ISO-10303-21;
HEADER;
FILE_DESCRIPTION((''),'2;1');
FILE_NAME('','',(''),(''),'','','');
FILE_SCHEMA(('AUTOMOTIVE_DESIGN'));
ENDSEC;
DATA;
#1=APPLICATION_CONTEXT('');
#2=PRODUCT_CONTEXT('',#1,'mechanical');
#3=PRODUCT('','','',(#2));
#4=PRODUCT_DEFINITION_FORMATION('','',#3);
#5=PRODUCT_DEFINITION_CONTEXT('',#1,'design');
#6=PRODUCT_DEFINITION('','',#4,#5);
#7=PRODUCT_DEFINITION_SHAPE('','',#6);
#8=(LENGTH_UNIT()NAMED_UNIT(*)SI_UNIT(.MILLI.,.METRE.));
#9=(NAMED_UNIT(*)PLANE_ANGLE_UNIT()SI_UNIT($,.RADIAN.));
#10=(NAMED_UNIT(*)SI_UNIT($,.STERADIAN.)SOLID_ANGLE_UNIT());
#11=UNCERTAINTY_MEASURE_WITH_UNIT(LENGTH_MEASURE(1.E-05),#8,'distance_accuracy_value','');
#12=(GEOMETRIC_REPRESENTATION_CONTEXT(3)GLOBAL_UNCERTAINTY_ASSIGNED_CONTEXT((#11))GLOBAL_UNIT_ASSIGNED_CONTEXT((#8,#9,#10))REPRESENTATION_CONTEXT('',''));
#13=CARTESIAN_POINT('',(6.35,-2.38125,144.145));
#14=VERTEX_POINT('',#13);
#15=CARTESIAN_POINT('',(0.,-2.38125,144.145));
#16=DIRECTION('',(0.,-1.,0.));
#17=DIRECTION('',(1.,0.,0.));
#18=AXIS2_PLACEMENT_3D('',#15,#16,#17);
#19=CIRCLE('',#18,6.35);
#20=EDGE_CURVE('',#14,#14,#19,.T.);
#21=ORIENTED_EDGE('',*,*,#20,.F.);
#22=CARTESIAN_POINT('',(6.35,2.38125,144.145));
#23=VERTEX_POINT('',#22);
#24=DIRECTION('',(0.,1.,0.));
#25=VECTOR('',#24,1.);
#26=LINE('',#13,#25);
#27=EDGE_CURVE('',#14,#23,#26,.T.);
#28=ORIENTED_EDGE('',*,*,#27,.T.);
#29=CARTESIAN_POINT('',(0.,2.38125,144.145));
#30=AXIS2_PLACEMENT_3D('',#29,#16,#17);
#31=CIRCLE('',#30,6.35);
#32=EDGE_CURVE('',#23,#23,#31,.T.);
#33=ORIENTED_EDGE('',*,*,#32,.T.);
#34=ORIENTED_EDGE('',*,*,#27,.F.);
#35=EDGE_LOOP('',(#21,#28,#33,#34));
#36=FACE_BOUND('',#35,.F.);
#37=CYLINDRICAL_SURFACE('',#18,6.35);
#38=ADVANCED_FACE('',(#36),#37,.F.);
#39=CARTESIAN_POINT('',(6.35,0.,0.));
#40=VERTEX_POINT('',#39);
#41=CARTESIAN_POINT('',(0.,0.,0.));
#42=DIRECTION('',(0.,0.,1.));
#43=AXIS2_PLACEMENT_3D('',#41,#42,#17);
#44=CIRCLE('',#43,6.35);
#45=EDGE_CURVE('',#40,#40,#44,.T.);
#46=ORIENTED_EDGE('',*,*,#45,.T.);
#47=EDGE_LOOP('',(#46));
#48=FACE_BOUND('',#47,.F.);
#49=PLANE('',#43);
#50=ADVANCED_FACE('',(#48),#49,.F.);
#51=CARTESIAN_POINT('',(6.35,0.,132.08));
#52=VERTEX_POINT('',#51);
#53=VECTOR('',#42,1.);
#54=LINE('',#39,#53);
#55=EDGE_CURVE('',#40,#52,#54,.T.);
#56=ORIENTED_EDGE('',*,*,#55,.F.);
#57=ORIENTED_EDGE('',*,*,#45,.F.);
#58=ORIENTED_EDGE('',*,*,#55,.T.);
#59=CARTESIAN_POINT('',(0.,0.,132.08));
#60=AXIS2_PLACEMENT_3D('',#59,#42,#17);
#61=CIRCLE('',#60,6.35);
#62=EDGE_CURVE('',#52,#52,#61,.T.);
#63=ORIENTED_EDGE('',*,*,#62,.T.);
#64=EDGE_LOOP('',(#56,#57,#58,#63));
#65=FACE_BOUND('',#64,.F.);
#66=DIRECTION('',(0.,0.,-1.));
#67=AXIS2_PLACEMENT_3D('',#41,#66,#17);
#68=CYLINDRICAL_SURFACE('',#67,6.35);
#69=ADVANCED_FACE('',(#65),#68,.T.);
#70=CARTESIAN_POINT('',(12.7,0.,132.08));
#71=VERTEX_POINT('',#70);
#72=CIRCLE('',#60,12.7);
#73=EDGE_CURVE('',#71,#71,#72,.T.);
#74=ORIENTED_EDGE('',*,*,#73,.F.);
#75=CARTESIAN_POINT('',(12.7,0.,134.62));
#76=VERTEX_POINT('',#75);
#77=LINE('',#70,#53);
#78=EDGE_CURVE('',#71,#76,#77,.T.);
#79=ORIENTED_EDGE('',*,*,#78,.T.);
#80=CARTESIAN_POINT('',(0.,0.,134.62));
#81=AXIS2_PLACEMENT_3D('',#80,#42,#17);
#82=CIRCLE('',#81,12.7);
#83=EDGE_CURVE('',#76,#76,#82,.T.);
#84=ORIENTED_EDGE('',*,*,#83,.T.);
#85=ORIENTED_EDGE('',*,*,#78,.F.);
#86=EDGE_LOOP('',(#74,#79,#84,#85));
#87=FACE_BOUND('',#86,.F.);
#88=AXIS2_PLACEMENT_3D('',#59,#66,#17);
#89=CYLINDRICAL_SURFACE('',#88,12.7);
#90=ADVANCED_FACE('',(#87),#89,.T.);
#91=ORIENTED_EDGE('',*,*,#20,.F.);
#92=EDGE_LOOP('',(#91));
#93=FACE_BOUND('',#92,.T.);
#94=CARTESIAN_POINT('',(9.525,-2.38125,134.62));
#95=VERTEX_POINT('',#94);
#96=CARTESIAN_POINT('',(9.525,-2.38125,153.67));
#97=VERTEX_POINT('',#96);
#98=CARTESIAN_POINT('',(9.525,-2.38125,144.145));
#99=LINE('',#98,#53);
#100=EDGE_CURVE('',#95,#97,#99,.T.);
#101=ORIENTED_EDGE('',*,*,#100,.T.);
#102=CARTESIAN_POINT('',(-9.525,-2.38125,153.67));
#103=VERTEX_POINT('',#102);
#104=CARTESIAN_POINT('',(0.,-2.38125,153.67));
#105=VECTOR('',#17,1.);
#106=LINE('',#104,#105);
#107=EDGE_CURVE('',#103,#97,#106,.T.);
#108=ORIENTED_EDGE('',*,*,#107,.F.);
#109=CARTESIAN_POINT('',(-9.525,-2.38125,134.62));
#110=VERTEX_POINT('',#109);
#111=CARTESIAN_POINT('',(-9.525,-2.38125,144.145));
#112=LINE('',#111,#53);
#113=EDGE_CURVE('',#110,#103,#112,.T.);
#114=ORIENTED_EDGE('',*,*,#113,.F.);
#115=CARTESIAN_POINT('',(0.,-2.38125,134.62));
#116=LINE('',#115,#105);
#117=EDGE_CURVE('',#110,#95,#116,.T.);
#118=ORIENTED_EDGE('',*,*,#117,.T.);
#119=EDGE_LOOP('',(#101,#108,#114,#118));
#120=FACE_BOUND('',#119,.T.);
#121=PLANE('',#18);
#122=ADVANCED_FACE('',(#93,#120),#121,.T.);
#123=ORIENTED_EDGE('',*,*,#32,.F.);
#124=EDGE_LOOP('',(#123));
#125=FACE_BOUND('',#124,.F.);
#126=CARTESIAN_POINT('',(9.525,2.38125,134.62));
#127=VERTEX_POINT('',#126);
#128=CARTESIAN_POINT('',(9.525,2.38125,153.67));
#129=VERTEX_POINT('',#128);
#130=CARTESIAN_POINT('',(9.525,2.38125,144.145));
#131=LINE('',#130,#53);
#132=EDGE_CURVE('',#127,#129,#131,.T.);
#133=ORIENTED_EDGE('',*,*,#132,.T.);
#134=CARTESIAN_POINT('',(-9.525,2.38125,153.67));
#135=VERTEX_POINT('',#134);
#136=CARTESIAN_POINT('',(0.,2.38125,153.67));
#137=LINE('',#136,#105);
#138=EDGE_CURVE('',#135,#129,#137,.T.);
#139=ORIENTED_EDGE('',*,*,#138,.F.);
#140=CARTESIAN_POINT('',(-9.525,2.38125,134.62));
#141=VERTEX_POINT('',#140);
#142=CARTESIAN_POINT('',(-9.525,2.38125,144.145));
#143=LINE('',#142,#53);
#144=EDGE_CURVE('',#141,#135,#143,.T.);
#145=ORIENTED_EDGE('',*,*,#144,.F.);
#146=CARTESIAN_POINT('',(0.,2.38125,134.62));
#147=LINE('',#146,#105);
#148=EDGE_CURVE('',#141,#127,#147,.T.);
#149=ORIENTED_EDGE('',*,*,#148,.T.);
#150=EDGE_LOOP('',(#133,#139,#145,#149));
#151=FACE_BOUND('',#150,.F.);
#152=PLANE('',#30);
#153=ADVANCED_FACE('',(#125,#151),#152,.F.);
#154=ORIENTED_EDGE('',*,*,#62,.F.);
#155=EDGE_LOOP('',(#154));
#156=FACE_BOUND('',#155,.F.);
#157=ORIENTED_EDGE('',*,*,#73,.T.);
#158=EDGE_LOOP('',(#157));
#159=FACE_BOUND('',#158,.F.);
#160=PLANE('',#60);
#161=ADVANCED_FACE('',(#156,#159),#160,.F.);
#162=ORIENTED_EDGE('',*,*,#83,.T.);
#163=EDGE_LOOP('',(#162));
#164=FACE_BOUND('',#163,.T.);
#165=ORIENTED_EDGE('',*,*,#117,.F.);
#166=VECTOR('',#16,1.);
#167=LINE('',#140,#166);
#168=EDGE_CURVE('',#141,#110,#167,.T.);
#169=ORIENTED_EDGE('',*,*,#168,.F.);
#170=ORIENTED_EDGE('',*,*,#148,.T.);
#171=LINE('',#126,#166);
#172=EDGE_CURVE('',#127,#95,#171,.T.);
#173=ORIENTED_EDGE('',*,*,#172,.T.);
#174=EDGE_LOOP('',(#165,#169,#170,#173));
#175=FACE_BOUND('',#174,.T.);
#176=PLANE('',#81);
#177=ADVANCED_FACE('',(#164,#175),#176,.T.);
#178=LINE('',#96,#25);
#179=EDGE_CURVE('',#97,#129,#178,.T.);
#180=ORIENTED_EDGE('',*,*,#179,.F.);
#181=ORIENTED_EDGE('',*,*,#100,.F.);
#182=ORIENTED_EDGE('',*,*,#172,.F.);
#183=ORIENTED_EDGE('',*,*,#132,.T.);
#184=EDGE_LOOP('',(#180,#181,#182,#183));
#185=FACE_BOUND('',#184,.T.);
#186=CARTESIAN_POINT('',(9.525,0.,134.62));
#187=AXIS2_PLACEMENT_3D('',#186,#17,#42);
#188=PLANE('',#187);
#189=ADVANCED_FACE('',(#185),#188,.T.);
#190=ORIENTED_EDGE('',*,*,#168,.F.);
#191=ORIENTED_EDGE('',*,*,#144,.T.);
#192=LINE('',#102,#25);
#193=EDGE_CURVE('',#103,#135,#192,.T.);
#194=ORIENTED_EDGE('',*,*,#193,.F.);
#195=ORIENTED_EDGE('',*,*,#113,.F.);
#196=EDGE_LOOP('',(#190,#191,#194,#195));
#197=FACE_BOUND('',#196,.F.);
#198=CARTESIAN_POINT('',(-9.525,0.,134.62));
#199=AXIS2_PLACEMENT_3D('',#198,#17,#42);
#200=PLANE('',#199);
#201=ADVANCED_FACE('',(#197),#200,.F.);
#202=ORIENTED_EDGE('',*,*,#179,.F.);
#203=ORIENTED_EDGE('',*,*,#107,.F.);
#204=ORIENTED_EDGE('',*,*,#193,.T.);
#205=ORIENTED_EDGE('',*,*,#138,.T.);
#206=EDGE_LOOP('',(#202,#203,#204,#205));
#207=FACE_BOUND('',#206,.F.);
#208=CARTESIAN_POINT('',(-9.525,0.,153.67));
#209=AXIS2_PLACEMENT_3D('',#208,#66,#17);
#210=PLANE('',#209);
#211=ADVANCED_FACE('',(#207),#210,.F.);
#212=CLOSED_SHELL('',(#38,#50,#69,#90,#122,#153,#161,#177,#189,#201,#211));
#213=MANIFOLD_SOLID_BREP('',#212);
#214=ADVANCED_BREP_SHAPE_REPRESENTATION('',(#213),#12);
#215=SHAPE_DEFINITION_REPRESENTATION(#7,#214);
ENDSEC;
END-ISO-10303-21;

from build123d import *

# Parameters (mm, degrees)
F0_R     = 6.35
F1_DEPTH = 132.08
F2_R     = 12.7
F3_DEPTH = 2.54
F4_W     = 19.05
F4_H     = 19.05
F5_DEPTH = 2.38125
F6_R     = 6.35
F7_DEPTH = 4.7625


with BuildPart() as f1:
    # F0 (on Top) → F1 (new body)
    with BuildSketch(Plane.XY):
        Circle(F0_R)
    extrude(amount=F1_DEPTH)

    # F2 (on face) → F3 (join)
    with BuildSketch(Plane.XY.offset(132.08)):
        Circle(F2_R)
    extrude(amount=F3_DEPTH)

    # F4 (on Front) → F5 (join, symmetric)
    with BuildSketch(Plane.XZ):
        with Locations((0, 144.145)):
            Rectangle(F4_W, F4_H)
    extrude(amount=F5_DEPTH, both=True)

    # F6 (on face) → F7 (cut)
    with BuildSketch(Plane.XZ.offset(2.38125)):
        with Locations((0, 144.145)):
            Circle(F6_R)
    extrude(amount=-F7_DEPTH, mode=Mode.SUBTRACT)


solid = f1.part
